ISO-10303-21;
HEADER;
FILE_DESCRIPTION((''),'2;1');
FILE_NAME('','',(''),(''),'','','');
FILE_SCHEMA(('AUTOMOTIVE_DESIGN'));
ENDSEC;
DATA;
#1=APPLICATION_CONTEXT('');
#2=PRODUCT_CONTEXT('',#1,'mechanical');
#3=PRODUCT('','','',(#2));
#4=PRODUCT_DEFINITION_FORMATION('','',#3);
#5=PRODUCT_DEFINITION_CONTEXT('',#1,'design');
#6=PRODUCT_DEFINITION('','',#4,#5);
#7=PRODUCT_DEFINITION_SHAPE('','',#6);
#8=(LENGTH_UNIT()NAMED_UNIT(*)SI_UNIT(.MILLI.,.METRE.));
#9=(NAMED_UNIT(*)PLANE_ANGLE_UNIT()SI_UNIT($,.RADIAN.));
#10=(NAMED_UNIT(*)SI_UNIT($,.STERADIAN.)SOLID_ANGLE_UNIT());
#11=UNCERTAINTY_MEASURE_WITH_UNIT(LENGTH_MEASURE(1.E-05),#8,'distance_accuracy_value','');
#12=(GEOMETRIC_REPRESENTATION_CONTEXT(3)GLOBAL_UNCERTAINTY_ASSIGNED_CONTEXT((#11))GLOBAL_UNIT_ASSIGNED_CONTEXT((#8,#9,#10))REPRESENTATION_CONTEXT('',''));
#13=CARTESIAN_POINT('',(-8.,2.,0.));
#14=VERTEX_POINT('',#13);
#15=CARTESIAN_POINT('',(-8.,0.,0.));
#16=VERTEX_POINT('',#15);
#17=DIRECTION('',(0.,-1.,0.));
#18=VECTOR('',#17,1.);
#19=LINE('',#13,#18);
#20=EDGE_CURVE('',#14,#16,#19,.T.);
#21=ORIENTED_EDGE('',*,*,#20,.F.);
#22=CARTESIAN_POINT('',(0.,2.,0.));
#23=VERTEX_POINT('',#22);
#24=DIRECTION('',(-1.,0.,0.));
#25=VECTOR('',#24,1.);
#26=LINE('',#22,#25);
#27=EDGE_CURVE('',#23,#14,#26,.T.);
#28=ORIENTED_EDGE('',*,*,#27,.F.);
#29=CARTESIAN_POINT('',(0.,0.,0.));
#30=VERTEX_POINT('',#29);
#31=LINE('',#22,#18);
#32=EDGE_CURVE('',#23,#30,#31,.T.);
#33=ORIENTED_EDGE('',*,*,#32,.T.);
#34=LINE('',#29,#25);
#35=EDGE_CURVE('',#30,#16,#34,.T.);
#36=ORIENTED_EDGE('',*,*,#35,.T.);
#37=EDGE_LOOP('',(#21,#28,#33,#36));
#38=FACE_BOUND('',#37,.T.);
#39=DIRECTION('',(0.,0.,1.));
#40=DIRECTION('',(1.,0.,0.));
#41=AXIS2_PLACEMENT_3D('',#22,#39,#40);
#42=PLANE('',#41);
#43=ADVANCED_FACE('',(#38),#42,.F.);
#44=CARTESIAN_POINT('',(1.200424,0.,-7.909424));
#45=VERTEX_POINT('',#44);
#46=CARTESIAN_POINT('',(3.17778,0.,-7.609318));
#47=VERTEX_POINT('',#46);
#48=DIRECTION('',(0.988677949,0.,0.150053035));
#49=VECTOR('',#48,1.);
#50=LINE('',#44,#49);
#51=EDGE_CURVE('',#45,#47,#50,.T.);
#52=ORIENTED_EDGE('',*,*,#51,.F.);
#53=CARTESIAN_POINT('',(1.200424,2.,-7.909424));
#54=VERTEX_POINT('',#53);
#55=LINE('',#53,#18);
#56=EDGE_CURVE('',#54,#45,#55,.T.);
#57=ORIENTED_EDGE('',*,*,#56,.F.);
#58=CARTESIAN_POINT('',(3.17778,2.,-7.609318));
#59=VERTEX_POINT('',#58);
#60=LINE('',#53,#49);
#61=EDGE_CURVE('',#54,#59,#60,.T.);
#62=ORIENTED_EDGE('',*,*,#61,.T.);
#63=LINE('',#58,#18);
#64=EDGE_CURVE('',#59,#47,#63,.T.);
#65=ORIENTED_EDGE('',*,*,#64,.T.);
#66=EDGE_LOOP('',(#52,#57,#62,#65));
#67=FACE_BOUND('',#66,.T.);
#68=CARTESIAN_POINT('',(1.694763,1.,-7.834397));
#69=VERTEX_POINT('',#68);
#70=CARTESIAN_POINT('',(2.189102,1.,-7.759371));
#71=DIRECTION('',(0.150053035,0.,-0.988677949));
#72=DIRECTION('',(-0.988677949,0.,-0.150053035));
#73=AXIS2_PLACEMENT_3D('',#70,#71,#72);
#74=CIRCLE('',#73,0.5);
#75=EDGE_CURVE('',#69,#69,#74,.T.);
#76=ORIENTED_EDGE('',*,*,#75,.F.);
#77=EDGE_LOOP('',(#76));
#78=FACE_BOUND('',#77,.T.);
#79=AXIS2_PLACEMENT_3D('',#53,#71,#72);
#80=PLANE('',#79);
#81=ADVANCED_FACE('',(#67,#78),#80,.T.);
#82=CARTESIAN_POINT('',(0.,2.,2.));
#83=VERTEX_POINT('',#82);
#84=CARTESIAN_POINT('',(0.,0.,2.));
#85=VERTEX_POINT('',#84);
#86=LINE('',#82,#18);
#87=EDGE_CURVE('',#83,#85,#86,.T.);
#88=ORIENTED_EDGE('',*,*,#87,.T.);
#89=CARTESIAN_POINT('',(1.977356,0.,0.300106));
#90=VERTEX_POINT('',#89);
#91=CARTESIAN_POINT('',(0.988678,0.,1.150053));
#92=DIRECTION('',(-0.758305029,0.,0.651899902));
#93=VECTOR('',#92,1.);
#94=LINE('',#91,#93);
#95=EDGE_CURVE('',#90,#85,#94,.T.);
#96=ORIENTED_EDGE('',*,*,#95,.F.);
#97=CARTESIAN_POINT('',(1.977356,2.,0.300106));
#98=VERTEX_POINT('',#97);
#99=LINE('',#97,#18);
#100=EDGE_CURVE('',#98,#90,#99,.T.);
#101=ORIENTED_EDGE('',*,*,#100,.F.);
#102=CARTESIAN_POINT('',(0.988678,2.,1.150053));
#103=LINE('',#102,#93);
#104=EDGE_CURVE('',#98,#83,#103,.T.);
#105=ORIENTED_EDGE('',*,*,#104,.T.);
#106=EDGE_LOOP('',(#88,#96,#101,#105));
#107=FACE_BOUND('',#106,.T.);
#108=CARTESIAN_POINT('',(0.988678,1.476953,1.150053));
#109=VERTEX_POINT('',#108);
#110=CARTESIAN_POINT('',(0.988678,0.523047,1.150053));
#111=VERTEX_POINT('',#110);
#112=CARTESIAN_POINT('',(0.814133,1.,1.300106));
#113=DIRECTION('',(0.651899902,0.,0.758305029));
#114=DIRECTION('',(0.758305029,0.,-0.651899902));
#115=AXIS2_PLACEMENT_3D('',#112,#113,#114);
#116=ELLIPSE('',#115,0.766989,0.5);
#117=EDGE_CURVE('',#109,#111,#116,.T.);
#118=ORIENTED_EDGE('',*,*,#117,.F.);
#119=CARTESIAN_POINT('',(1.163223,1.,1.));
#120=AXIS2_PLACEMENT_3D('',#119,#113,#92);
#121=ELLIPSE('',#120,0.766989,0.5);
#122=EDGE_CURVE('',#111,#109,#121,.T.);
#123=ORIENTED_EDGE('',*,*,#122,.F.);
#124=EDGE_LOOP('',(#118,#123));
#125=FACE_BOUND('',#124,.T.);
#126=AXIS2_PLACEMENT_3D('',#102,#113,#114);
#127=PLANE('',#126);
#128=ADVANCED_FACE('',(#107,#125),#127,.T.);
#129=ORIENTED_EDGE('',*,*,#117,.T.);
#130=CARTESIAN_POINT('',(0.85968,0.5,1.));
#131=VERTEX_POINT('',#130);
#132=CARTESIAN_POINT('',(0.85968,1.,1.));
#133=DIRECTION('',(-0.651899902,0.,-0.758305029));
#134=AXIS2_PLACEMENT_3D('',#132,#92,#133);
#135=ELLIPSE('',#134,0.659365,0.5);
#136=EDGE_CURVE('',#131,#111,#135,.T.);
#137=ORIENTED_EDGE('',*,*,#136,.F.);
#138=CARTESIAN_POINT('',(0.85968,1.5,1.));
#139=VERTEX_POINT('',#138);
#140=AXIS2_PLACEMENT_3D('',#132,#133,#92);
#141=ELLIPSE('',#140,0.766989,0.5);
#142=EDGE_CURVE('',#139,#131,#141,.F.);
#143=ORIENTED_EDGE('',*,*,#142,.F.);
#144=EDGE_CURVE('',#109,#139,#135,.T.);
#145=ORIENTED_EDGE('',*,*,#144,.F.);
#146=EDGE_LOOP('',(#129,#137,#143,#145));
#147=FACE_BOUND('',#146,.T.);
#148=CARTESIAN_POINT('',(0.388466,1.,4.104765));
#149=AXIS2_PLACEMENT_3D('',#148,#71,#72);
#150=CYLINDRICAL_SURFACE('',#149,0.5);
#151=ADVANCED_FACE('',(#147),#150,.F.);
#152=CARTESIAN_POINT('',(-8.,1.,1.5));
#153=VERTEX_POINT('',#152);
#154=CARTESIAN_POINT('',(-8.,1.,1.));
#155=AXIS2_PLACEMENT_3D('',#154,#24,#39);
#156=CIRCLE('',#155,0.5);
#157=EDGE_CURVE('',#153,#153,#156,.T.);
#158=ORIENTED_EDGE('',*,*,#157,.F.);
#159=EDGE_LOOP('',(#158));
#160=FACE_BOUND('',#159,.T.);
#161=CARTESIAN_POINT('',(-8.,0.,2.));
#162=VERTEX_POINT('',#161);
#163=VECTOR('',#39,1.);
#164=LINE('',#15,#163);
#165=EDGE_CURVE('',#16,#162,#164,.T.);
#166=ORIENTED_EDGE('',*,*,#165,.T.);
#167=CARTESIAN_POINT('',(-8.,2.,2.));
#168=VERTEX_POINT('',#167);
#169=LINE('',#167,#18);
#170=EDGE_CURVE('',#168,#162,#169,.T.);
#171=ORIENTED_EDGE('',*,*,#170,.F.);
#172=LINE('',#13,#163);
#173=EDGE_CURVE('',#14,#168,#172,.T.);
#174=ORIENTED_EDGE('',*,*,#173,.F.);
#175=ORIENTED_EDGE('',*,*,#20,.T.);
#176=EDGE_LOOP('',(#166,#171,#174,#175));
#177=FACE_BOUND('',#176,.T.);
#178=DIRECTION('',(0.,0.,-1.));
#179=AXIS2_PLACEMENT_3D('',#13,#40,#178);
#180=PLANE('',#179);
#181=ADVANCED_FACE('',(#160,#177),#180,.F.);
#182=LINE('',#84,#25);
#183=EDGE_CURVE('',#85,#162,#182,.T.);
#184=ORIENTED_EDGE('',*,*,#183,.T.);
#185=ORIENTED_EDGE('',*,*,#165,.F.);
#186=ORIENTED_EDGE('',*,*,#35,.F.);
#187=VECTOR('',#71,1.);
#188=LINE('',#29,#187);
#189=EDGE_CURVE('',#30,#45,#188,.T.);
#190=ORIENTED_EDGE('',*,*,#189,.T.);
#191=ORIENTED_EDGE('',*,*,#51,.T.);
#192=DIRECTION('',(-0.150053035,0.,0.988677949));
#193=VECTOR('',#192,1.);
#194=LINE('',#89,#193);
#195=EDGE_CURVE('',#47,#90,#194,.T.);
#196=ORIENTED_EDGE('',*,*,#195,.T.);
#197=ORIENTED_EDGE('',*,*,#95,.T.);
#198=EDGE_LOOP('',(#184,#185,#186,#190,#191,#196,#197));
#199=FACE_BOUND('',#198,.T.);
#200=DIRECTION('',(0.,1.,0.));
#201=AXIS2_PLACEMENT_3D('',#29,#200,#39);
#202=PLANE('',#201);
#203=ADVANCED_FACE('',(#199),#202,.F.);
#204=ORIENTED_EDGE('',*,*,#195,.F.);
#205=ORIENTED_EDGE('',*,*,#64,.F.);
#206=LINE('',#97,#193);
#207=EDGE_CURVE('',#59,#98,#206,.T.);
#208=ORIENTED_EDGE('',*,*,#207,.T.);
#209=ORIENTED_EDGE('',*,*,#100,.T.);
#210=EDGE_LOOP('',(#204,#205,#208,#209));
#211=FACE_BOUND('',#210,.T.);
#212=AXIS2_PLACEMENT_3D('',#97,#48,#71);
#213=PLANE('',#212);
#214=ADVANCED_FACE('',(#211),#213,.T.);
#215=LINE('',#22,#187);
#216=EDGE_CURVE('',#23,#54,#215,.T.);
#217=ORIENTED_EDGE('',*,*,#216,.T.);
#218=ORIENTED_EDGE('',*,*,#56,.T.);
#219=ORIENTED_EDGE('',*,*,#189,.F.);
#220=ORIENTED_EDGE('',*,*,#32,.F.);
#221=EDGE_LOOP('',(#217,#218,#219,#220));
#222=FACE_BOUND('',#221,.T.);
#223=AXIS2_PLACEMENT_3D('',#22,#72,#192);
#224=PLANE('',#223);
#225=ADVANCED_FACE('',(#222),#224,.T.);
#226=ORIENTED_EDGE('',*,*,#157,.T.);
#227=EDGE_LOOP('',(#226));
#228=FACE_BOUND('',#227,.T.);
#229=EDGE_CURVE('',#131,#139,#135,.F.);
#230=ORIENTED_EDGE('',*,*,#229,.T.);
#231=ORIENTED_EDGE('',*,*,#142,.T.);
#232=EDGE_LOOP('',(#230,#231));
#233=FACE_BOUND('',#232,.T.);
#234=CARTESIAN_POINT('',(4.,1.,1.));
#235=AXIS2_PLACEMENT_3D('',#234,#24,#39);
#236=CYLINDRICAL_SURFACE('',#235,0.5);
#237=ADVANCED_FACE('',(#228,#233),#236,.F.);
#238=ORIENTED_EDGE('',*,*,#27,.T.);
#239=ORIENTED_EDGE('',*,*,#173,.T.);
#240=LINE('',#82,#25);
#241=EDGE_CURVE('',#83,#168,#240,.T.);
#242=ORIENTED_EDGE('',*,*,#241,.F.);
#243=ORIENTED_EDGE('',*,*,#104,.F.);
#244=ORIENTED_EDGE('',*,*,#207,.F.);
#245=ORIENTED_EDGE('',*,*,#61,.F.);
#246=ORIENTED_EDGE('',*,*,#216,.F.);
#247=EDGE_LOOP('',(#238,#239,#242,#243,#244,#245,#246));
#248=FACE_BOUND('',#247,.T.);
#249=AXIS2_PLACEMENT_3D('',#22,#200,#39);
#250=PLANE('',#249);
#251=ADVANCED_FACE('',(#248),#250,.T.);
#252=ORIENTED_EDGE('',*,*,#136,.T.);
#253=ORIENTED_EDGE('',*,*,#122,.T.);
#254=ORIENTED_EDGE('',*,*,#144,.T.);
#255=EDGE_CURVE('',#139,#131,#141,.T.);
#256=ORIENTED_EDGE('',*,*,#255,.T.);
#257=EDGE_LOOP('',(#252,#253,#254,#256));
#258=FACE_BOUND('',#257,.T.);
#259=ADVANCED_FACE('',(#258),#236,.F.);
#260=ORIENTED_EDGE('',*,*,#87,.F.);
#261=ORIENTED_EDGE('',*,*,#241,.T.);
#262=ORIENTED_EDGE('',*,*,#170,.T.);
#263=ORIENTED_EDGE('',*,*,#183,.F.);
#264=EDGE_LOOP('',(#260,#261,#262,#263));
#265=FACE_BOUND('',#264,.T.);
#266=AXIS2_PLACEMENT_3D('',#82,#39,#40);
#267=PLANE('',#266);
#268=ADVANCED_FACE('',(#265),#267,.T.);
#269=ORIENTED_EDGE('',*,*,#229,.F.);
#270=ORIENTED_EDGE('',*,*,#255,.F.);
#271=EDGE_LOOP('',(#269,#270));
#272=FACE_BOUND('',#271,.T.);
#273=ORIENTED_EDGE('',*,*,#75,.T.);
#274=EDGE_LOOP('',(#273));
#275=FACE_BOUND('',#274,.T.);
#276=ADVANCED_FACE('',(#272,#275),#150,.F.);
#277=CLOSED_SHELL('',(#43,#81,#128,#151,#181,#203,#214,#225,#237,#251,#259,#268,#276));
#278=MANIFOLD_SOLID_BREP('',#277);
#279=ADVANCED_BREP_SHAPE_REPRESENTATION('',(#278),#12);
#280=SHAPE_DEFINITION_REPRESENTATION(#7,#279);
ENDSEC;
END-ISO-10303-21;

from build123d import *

# Parameters (mm, degrees)
BOSS_EXTRUDE1_DEPTH = 2
SKETCH3_R           = 0.5
CUT_EXTRUDE1_DEPTH  = 12
SKETCH4_R           = 0.5
CUT_EXTRUDE3_DEPTH  = 12


with BuildPart() as part:
    # Sketch2 → Boss-Extrude1 (new body)
    with BuildSketch(Plane(origin=(0, 0, 0), x_dir=(1, 0, 0), z_dir=(0, 1, 0))):
        Polygon((-8, -2), (0, -2), (1.977355898, -0.300106069), (3.177780174, 7.609317523), (1.200424276, 7.909423592), (0, 0), (-8, 0), align=None)
    extrude(amount=BOSS_EXTRUDE1_DEPTH)

    # Sketch3 → Cut-Extrude1 (cut)
    with BuildSketch(Plane.ZY.offset(8)):
        with Locations((1, 1)):
            Circle(SKETCH3_R)
    extrude(amount=-CUT_EXTRUDE1_DEPTH, mode=Mode.SUBTRACT)

    # Sketch4 → Cut-Extrude3 (cut)
    with BuildSketch(Plane(origin=(1.200424276, 0, -7.909423592), x_dir=(-0.9886779489912622, 0, -0.15005303455255817), z_dir=(0.15005303455255817, 0, -0.9886779489912622))):
        with Locations((-1, 1)):
            Circle(SKETCH4_R)
    extrude(amount=-CUT_EXTRUDE3_DEPTH, mode=Mode.SUBTRACT)


solid = part.part
